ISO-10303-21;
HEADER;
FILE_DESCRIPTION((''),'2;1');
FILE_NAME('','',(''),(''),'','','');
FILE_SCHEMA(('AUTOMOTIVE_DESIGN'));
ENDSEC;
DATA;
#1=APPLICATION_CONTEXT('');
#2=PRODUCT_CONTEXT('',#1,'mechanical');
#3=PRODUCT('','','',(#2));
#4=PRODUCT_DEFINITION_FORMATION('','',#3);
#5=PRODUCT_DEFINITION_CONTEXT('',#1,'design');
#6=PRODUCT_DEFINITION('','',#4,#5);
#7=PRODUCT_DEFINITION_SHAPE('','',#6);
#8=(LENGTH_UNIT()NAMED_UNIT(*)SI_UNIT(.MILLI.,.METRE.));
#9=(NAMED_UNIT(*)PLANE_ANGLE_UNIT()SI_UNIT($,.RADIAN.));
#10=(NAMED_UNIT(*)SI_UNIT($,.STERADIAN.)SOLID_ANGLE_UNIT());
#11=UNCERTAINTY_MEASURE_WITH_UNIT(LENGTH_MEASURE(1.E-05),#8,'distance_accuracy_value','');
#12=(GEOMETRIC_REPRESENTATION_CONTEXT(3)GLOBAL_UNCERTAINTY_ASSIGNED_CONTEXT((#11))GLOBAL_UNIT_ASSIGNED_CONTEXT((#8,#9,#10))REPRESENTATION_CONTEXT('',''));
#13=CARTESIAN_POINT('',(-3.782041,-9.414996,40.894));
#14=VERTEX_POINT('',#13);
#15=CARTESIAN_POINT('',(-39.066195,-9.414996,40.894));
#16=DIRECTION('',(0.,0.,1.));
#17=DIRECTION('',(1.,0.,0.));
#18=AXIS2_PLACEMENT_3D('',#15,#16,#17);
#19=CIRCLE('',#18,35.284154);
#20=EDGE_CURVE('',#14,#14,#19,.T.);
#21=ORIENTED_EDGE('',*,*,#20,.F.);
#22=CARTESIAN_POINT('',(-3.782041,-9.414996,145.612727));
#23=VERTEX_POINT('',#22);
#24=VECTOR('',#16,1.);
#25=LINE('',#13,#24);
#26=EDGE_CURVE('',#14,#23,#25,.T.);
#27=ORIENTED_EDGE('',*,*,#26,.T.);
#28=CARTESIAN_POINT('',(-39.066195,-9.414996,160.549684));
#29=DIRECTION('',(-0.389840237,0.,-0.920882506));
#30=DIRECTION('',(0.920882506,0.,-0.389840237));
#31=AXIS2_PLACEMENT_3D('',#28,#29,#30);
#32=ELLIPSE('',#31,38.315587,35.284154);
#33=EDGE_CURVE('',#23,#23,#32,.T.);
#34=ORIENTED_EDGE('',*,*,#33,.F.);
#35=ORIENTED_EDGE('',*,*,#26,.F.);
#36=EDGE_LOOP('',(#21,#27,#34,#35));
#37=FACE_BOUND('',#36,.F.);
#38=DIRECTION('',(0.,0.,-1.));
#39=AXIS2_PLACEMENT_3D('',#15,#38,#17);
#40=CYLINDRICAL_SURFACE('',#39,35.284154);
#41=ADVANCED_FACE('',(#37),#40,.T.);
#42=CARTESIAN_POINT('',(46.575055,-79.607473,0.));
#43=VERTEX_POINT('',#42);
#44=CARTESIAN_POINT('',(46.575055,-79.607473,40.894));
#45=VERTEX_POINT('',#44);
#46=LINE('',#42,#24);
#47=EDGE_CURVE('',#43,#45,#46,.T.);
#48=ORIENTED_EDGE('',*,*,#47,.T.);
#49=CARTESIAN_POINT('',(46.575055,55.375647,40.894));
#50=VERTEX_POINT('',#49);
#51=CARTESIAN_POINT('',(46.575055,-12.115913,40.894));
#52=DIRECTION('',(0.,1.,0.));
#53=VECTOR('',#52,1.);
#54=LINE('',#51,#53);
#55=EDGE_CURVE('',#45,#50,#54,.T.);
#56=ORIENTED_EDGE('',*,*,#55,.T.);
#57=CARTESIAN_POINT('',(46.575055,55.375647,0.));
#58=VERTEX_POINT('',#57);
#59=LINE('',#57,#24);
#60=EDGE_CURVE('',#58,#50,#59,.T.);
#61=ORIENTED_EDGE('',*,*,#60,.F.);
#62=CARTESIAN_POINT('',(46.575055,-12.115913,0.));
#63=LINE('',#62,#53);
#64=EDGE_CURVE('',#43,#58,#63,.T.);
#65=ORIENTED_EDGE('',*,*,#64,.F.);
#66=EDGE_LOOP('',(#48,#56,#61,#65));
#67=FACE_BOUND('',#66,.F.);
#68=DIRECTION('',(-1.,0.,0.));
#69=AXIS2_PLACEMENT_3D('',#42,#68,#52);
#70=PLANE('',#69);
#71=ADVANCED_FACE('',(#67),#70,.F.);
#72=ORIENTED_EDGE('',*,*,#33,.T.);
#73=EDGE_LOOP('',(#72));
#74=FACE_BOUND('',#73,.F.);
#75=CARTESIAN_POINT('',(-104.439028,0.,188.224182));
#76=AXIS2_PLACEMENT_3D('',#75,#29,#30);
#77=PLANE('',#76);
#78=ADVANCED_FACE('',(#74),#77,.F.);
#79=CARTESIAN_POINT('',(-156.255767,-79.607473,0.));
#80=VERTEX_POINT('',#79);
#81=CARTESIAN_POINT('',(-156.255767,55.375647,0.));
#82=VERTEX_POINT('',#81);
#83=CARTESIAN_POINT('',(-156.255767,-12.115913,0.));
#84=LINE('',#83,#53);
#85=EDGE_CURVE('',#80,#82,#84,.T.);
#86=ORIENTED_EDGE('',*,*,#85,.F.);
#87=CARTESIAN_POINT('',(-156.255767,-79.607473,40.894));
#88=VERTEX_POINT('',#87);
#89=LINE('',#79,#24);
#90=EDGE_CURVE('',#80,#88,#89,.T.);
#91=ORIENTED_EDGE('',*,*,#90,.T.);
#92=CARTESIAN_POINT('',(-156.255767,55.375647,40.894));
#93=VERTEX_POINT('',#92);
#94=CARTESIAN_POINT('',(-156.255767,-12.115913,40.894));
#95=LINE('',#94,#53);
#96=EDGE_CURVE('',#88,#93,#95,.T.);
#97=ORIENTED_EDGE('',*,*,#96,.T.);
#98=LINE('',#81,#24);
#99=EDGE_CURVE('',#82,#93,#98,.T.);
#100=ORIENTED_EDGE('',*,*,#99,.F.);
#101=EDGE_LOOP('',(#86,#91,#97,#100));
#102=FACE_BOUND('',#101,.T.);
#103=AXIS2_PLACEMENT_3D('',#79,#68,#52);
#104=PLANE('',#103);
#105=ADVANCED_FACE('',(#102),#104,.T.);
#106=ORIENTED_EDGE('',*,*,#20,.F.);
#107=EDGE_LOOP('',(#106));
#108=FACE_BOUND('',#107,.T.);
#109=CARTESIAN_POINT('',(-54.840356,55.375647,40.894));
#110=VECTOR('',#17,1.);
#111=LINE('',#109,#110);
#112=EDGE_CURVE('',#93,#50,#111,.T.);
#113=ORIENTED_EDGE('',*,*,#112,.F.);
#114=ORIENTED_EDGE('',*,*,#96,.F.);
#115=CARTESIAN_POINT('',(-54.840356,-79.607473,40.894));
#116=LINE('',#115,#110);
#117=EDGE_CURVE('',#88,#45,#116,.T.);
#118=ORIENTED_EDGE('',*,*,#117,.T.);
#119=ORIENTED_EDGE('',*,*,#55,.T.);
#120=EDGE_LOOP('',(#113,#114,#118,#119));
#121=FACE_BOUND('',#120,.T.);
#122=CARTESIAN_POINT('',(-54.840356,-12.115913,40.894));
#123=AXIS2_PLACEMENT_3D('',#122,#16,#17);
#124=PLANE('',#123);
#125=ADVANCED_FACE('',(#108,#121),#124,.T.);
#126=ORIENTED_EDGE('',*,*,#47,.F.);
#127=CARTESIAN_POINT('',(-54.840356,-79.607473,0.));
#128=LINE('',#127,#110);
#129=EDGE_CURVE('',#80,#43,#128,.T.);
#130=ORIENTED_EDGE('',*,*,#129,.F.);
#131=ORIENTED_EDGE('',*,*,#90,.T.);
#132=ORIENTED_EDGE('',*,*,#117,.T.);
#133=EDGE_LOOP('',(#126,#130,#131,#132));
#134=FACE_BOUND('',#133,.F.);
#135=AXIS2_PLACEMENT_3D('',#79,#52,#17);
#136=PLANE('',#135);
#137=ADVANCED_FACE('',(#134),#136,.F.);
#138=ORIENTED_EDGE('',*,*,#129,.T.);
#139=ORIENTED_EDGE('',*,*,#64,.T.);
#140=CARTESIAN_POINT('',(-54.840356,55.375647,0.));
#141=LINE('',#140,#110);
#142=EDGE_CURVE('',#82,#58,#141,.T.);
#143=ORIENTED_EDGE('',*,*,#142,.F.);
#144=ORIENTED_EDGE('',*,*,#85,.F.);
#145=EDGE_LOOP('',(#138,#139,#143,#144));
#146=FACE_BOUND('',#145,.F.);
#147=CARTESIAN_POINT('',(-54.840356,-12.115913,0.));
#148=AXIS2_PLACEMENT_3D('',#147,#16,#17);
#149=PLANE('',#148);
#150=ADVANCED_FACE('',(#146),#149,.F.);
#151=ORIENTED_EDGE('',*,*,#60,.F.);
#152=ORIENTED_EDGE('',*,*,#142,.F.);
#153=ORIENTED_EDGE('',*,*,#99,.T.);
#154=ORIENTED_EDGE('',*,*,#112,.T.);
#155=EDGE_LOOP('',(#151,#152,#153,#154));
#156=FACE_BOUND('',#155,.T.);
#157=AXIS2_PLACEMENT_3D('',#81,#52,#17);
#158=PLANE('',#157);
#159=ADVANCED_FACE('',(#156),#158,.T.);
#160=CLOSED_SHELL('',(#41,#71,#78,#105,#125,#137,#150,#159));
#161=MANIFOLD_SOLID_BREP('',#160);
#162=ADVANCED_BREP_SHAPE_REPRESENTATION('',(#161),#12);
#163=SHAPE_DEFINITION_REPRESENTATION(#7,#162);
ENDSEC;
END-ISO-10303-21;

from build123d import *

# Parameters (mm, degrees)
F0_W     = 202.830822
F0_H     = 134.983119
F1_DEPTH = 40.894
F2_R     = 35.284154
F3_DEPTH = 134.62
F5_DEPTH = 96.012


with BuildPart() as f1:
    # F0 (on Top) → F1 (new body)
    with BuildSketch(Plane.XY):
        with Locations((-54.840356, -12.115913)):
            Rectangle(F0_W, F0_H)
    extrude(amount=F1_DEPTH)

    # F2 (on face) → F3 (join)
    with BuildSketch(Plane.XY.offset(40.894)):
        with Locations((-39.066195, -9.414996)):
            Circle(F2_R)
    extrude(amount=F3_DEPTH)

    # F4 (on Front) → F5 (cut, symmetric)
    with BuildSketch(Plane.XZ):
        Polygon((38.168721, 193.453133), (-104.439028, 188.224182), (38.168721, 127.853572), align=None)
    extrude(amount=F5_DEPTH, both=True, mode=Mode.SUBTRACT)


solid = f1.part
